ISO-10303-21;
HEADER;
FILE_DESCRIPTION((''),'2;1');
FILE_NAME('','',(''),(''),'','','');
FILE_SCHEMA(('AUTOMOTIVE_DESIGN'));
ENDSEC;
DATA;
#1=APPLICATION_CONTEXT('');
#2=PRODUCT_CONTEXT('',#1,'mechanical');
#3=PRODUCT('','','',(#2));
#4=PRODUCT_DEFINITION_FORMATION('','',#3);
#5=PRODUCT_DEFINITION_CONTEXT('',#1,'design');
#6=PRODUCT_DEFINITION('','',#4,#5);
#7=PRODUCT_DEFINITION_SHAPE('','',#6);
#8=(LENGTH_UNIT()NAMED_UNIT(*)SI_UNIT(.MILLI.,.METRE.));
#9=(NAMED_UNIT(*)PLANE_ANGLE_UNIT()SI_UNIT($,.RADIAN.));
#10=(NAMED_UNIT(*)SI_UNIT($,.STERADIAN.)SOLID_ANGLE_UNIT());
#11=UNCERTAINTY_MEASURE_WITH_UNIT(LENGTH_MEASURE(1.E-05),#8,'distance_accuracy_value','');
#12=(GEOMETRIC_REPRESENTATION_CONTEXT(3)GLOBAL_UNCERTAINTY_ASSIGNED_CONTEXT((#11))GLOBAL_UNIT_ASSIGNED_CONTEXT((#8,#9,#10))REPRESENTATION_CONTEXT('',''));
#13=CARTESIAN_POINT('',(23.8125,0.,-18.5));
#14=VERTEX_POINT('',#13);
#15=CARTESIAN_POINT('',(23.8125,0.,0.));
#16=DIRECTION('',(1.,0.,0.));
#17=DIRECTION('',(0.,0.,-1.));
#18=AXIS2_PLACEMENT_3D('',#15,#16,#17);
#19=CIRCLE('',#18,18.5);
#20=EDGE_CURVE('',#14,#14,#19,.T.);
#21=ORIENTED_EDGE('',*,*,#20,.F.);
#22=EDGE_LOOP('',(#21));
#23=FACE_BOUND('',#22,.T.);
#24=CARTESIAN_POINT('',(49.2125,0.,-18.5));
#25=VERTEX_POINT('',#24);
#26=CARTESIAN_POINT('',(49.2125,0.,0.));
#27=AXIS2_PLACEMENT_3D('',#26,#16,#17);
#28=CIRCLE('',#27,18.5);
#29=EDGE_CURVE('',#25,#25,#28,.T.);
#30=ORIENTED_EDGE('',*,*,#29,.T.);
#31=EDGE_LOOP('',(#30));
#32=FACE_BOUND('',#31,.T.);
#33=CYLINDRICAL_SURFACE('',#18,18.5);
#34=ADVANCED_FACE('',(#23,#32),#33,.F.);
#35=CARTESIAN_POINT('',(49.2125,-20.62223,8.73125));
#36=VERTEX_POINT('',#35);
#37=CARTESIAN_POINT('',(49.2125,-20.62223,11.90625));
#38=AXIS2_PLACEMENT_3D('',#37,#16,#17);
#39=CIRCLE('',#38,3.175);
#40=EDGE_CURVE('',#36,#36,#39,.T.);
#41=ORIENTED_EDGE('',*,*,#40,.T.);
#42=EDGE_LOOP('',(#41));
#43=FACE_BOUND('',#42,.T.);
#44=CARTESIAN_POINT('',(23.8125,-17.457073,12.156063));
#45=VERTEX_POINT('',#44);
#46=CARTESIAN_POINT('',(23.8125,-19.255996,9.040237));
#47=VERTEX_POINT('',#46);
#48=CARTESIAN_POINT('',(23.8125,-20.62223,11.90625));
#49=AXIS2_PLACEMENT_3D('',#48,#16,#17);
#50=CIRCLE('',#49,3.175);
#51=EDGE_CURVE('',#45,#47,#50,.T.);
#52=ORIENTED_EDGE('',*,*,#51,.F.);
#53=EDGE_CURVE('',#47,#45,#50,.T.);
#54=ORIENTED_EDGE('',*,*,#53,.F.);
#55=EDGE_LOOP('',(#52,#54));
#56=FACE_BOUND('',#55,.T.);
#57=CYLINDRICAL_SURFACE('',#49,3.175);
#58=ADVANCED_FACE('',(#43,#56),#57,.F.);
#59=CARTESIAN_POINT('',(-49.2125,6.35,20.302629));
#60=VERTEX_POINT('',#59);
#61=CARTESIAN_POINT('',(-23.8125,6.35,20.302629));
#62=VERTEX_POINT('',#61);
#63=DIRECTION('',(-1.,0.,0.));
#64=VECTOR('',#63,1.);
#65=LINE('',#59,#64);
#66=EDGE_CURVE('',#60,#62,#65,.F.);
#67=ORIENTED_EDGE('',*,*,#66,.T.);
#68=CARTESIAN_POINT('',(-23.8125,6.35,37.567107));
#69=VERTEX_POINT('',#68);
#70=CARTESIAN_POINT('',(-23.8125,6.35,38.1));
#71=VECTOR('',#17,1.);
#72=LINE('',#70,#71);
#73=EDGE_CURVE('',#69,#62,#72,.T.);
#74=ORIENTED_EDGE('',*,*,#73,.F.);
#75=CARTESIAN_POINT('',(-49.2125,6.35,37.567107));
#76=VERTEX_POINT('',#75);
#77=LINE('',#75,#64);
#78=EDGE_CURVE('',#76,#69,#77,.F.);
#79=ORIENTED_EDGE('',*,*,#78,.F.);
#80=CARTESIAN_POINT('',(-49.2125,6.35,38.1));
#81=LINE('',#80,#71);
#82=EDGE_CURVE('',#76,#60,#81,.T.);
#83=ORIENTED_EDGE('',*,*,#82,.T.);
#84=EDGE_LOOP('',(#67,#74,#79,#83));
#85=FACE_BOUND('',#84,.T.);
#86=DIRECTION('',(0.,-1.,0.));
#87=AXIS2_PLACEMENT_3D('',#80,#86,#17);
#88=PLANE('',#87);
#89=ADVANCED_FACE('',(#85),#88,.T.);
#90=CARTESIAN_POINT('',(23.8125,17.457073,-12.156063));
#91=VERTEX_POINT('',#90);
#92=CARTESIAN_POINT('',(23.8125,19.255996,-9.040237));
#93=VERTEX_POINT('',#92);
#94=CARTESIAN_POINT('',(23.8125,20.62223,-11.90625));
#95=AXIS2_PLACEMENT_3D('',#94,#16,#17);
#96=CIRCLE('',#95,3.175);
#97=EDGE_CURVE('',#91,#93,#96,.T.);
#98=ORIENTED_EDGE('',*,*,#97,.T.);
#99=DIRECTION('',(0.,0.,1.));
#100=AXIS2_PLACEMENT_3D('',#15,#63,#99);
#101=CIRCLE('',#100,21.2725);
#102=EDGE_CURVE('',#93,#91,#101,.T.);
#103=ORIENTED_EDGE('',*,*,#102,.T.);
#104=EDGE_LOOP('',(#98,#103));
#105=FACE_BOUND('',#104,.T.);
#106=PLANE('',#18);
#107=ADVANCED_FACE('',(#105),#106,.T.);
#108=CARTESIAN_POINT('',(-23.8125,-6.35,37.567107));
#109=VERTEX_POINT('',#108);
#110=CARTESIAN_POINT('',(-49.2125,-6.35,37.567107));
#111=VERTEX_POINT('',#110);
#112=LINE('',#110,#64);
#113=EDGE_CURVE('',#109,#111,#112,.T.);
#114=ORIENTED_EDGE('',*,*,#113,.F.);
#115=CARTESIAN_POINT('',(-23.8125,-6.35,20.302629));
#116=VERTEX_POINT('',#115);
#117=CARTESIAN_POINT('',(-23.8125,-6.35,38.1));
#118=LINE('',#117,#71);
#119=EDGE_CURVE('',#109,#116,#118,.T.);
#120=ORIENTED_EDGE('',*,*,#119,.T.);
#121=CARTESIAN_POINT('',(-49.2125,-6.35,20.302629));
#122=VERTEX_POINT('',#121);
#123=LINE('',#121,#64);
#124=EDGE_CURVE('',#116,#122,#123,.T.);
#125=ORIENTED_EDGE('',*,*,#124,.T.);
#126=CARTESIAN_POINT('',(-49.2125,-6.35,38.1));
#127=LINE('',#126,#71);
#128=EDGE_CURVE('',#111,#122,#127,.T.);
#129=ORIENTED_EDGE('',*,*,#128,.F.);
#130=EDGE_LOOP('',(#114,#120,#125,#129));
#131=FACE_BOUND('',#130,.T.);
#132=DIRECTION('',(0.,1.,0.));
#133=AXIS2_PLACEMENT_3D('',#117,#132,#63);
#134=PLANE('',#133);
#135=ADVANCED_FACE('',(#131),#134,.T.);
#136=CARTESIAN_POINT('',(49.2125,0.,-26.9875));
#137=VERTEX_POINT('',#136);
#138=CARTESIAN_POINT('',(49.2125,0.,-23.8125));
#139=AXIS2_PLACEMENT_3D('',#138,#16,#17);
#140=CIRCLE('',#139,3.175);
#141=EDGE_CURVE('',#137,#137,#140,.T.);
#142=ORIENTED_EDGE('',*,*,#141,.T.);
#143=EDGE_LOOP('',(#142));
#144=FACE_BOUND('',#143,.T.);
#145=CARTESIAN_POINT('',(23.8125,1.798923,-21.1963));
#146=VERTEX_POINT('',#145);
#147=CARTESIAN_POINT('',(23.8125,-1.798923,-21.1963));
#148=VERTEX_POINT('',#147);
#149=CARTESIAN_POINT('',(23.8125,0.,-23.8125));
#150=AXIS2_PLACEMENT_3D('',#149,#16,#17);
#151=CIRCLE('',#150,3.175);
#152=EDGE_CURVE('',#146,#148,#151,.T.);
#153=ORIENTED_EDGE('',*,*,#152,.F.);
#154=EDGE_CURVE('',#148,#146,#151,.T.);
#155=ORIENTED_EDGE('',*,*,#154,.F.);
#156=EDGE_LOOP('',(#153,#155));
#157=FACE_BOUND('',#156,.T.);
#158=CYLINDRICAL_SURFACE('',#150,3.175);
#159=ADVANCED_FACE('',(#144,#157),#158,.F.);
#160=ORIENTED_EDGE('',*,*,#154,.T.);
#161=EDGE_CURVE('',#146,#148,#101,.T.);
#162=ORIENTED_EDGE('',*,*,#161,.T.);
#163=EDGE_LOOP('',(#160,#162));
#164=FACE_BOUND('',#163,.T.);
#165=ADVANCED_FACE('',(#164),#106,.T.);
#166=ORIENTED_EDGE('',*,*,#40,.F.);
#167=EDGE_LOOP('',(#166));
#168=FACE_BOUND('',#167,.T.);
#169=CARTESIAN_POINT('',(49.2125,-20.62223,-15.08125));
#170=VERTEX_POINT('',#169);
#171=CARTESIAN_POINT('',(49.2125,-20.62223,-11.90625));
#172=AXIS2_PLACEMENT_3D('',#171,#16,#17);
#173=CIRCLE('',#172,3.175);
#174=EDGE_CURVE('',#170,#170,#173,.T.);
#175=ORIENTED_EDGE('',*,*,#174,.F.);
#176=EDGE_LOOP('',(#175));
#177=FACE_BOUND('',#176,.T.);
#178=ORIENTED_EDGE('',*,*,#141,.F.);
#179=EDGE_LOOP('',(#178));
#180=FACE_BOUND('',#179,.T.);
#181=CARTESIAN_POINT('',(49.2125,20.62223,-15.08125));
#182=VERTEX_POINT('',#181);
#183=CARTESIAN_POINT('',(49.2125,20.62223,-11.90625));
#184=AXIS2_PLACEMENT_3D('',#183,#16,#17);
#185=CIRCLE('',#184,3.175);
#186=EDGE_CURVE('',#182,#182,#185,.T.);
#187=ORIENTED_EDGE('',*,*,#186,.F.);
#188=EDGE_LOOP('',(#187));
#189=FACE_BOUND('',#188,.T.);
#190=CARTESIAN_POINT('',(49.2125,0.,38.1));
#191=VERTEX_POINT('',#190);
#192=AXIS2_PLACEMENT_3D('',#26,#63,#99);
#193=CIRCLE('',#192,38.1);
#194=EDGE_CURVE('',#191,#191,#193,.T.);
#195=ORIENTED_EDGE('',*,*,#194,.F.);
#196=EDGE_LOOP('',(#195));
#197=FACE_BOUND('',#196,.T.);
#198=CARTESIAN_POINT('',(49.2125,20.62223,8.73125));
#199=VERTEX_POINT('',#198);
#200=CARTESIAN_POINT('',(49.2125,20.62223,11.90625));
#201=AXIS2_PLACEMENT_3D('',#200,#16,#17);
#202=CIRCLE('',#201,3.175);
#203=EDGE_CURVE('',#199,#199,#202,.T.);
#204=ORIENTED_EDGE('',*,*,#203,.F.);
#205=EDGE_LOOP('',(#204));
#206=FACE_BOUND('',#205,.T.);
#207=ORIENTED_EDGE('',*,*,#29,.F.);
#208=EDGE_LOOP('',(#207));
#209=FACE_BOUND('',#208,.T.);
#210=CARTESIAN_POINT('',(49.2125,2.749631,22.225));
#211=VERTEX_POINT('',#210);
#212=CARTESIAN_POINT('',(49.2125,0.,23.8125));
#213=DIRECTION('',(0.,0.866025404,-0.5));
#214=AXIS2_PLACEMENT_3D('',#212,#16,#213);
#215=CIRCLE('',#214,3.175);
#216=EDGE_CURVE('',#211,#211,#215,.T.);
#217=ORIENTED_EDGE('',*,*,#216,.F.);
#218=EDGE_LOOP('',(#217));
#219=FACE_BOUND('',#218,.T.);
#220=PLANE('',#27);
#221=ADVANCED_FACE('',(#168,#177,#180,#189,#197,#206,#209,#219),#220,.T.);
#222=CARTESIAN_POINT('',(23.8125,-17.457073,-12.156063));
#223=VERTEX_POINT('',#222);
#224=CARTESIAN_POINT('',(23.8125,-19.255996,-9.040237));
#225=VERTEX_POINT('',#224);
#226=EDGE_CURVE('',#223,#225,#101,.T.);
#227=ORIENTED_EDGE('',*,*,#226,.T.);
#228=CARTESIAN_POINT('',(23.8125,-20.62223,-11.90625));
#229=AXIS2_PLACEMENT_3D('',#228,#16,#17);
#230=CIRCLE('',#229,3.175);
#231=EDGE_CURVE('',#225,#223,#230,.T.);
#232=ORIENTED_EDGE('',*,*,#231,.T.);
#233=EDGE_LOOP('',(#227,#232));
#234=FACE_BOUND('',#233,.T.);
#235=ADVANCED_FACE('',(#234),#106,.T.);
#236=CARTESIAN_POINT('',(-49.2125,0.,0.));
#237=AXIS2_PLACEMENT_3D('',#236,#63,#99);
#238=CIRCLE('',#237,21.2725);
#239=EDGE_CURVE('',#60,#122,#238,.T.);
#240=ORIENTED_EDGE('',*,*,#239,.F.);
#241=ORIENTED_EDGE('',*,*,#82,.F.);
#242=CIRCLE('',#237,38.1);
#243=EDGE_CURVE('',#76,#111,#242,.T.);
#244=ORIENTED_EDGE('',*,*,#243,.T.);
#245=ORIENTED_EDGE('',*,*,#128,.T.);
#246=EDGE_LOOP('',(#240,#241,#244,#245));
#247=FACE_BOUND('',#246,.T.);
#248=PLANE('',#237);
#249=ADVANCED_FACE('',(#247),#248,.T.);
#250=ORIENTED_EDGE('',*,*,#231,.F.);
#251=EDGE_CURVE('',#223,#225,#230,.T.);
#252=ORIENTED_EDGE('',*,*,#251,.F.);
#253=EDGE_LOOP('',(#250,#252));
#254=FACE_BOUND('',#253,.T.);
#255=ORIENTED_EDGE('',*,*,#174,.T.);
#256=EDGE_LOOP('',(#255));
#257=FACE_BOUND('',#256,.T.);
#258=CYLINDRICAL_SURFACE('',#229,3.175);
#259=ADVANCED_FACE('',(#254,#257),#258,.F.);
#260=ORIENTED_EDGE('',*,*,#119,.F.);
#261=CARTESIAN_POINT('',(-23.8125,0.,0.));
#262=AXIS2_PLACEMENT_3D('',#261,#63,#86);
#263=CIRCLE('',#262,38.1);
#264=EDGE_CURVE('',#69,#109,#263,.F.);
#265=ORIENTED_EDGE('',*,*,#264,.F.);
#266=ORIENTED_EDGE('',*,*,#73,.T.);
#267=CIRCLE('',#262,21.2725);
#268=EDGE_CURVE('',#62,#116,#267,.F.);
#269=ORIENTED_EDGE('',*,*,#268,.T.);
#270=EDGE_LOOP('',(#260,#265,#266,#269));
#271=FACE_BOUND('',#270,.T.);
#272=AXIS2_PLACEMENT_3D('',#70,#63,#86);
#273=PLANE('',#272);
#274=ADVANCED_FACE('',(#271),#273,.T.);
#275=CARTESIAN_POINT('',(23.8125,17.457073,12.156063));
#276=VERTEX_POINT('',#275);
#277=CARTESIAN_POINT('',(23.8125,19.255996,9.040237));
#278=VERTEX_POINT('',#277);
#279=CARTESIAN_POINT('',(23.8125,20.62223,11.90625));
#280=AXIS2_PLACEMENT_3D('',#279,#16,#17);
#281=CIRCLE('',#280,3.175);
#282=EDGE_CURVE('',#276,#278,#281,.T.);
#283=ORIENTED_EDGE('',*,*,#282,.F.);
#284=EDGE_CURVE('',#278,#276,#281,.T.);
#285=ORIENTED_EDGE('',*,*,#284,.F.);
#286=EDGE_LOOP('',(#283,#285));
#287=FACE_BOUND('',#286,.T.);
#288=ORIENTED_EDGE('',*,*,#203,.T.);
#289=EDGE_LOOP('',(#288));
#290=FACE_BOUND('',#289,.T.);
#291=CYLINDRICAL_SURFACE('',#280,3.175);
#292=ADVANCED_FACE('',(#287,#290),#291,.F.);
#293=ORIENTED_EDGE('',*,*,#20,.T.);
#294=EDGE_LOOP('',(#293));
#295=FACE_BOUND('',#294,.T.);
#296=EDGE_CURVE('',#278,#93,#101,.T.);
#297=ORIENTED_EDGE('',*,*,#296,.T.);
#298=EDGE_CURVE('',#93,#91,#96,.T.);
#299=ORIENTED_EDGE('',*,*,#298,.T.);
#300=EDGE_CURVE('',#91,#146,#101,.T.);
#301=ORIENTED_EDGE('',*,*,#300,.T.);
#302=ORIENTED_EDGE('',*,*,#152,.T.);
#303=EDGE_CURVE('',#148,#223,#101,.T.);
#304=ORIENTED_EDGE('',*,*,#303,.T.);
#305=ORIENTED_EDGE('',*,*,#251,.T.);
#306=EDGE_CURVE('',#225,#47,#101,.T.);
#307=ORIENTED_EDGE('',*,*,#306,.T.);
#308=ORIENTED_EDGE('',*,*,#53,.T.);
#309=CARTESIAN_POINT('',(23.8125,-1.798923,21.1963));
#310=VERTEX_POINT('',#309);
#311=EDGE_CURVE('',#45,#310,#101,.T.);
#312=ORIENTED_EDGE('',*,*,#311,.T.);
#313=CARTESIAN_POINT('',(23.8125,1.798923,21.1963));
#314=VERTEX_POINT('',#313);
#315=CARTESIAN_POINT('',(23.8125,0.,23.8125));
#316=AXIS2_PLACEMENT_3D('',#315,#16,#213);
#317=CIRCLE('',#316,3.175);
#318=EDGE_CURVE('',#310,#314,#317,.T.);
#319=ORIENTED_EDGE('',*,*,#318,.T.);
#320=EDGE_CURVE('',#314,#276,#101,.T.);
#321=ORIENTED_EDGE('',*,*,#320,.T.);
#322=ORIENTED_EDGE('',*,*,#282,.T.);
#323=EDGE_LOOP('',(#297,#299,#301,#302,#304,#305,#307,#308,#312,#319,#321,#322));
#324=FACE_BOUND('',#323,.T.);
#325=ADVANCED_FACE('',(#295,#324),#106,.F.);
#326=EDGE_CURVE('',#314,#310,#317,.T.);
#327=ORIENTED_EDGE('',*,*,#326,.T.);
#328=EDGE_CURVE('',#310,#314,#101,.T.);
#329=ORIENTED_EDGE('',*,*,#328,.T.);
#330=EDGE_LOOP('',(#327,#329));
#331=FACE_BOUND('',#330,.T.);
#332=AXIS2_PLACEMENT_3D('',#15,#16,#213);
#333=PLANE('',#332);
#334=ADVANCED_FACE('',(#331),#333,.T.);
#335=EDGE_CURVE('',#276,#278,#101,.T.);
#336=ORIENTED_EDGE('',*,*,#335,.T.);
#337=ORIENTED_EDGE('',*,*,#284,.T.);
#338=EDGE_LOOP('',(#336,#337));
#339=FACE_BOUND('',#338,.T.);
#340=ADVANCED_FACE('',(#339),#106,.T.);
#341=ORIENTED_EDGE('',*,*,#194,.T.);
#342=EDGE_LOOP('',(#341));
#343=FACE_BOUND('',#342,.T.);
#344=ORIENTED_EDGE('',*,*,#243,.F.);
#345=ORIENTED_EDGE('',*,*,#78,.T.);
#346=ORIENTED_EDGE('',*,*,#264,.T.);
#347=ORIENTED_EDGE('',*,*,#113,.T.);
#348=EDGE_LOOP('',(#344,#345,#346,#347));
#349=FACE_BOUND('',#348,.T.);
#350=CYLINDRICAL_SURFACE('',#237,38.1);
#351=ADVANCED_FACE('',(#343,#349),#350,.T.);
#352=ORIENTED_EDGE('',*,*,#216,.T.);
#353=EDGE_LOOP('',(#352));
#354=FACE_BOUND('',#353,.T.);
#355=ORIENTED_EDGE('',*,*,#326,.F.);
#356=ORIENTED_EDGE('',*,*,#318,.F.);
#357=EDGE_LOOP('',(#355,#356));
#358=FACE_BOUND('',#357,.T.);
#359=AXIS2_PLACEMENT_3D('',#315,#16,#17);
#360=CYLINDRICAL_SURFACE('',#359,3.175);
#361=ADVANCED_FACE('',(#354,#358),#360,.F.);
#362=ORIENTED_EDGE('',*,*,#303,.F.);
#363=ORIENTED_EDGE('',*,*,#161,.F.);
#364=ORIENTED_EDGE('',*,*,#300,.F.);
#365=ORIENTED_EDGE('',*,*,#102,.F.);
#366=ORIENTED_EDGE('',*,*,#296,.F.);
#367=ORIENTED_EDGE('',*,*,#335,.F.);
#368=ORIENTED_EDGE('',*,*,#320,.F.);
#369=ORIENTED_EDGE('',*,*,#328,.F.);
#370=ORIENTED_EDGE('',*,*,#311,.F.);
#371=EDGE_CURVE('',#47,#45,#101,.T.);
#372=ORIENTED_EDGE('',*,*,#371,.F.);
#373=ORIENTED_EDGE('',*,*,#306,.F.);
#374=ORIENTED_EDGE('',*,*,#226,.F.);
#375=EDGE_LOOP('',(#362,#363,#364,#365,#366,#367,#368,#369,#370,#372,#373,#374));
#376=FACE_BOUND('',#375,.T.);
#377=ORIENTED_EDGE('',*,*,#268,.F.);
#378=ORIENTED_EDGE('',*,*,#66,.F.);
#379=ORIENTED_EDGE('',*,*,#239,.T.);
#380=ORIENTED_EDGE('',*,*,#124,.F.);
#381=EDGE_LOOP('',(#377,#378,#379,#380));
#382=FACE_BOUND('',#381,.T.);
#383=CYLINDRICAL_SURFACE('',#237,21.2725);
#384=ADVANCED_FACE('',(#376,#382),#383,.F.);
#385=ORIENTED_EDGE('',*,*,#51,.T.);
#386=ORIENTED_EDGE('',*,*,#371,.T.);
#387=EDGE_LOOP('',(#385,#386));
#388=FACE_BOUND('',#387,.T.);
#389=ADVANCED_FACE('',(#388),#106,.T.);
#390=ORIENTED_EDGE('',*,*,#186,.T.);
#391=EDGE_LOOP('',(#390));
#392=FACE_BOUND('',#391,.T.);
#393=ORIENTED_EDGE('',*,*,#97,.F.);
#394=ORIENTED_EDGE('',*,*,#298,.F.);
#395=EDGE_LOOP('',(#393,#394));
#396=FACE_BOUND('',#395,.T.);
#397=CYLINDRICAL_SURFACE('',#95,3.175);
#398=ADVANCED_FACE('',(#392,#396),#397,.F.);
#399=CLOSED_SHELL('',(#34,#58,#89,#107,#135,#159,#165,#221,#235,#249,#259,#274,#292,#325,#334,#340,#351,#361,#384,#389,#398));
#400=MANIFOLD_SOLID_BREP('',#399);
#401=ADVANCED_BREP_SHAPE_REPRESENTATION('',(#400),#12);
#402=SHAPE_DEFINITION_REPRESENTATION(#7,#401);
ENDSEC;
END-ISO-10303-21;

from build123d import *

# Parameters (mm, degrees)
SKETCH1_W          = 25.4
SKETCH1_H          = 5.3975
SKETCH2_R          = 3.175
SKETCH2_R_2        = 18.5
CUT_EXTRUDE1_DEPTH = 25.4
CIRPATTERN1_COUNT  = 6
SKETCH3_W          = 25.4
SKETCH3_H          = 12.7
CUT_EXTRUDE2_DEPTH = 39.1


with BuildPart() as part:
    # Sketch1 → Revolve1 (revolve)
    with BuildSketch(Plane.XY):
        Polygon((-49.2125, 38.1), (-49.2125, 21.2725), (23.8125, 21.2725), (49.2125, 21.2725), (49.2125, 38.1), (42.8625, 38.1), align=None)
        with Locations((36.5125, 18.57375)):
            Rectangle(SKETCH1_W, SKETCH1_H)
    revolve(axis=Axis((-49.2125, 0, 0), (1, 0, 0)))

    # Sketch2 → Cut-Extrude1 (cut)
    with BuildSketch(Plane(origin=(49.2125, 0, 0), x_dir=(0, 0, -1), z_dir=(1, 0, 0))):
        with Locations((-11.90625, -20.622229928)):
            Circle(SKETCH2_R)
        with Locations((11.90625, -20.622229928)):
            Circle(SKETCH2_R)
        with Locations((23.8125, 0)):
            Circle(SKETCH2_R)
        with Locations((11.90625, 20.622229928)):
            Circle(SKETCH2_R)
        with Locations((-11.90625, 20.622229928)):
            Circle(SKETCH2_R)
        Circle(SKETCH2_R_2)
    cut_extrude1 = extrude(amount=-CUT_EXTRUDE1_DEPTH, mode=Mode.SUBTRACT)

    # CirPattern1: Cut-Extrude1 ×6 about axis
    cirpattern1_axis = Axis((-49.2125, 0, 0), (-1, 0, 0))
    for i in range(1, CIRPATTERN1_COUNT):
        add(cut_extrude1.rotate(cirpattern1_axis, i * 360 / CIRPATTERN1_COUNT), mode=Mode.SUBTRACT)

    # Sketch3 → Cut-Extrude2 (cut, through all)
    with BuildSketch(Plane.XY):
        with Locations((-36.5125, 0)):
            Rectangle(SKETCH3_W, SKETCH3_H)
    extrude(amount=CUT_EXTRUDE2_DEPTH, mode=Mode.SUBTRACT)


solid = part.part
